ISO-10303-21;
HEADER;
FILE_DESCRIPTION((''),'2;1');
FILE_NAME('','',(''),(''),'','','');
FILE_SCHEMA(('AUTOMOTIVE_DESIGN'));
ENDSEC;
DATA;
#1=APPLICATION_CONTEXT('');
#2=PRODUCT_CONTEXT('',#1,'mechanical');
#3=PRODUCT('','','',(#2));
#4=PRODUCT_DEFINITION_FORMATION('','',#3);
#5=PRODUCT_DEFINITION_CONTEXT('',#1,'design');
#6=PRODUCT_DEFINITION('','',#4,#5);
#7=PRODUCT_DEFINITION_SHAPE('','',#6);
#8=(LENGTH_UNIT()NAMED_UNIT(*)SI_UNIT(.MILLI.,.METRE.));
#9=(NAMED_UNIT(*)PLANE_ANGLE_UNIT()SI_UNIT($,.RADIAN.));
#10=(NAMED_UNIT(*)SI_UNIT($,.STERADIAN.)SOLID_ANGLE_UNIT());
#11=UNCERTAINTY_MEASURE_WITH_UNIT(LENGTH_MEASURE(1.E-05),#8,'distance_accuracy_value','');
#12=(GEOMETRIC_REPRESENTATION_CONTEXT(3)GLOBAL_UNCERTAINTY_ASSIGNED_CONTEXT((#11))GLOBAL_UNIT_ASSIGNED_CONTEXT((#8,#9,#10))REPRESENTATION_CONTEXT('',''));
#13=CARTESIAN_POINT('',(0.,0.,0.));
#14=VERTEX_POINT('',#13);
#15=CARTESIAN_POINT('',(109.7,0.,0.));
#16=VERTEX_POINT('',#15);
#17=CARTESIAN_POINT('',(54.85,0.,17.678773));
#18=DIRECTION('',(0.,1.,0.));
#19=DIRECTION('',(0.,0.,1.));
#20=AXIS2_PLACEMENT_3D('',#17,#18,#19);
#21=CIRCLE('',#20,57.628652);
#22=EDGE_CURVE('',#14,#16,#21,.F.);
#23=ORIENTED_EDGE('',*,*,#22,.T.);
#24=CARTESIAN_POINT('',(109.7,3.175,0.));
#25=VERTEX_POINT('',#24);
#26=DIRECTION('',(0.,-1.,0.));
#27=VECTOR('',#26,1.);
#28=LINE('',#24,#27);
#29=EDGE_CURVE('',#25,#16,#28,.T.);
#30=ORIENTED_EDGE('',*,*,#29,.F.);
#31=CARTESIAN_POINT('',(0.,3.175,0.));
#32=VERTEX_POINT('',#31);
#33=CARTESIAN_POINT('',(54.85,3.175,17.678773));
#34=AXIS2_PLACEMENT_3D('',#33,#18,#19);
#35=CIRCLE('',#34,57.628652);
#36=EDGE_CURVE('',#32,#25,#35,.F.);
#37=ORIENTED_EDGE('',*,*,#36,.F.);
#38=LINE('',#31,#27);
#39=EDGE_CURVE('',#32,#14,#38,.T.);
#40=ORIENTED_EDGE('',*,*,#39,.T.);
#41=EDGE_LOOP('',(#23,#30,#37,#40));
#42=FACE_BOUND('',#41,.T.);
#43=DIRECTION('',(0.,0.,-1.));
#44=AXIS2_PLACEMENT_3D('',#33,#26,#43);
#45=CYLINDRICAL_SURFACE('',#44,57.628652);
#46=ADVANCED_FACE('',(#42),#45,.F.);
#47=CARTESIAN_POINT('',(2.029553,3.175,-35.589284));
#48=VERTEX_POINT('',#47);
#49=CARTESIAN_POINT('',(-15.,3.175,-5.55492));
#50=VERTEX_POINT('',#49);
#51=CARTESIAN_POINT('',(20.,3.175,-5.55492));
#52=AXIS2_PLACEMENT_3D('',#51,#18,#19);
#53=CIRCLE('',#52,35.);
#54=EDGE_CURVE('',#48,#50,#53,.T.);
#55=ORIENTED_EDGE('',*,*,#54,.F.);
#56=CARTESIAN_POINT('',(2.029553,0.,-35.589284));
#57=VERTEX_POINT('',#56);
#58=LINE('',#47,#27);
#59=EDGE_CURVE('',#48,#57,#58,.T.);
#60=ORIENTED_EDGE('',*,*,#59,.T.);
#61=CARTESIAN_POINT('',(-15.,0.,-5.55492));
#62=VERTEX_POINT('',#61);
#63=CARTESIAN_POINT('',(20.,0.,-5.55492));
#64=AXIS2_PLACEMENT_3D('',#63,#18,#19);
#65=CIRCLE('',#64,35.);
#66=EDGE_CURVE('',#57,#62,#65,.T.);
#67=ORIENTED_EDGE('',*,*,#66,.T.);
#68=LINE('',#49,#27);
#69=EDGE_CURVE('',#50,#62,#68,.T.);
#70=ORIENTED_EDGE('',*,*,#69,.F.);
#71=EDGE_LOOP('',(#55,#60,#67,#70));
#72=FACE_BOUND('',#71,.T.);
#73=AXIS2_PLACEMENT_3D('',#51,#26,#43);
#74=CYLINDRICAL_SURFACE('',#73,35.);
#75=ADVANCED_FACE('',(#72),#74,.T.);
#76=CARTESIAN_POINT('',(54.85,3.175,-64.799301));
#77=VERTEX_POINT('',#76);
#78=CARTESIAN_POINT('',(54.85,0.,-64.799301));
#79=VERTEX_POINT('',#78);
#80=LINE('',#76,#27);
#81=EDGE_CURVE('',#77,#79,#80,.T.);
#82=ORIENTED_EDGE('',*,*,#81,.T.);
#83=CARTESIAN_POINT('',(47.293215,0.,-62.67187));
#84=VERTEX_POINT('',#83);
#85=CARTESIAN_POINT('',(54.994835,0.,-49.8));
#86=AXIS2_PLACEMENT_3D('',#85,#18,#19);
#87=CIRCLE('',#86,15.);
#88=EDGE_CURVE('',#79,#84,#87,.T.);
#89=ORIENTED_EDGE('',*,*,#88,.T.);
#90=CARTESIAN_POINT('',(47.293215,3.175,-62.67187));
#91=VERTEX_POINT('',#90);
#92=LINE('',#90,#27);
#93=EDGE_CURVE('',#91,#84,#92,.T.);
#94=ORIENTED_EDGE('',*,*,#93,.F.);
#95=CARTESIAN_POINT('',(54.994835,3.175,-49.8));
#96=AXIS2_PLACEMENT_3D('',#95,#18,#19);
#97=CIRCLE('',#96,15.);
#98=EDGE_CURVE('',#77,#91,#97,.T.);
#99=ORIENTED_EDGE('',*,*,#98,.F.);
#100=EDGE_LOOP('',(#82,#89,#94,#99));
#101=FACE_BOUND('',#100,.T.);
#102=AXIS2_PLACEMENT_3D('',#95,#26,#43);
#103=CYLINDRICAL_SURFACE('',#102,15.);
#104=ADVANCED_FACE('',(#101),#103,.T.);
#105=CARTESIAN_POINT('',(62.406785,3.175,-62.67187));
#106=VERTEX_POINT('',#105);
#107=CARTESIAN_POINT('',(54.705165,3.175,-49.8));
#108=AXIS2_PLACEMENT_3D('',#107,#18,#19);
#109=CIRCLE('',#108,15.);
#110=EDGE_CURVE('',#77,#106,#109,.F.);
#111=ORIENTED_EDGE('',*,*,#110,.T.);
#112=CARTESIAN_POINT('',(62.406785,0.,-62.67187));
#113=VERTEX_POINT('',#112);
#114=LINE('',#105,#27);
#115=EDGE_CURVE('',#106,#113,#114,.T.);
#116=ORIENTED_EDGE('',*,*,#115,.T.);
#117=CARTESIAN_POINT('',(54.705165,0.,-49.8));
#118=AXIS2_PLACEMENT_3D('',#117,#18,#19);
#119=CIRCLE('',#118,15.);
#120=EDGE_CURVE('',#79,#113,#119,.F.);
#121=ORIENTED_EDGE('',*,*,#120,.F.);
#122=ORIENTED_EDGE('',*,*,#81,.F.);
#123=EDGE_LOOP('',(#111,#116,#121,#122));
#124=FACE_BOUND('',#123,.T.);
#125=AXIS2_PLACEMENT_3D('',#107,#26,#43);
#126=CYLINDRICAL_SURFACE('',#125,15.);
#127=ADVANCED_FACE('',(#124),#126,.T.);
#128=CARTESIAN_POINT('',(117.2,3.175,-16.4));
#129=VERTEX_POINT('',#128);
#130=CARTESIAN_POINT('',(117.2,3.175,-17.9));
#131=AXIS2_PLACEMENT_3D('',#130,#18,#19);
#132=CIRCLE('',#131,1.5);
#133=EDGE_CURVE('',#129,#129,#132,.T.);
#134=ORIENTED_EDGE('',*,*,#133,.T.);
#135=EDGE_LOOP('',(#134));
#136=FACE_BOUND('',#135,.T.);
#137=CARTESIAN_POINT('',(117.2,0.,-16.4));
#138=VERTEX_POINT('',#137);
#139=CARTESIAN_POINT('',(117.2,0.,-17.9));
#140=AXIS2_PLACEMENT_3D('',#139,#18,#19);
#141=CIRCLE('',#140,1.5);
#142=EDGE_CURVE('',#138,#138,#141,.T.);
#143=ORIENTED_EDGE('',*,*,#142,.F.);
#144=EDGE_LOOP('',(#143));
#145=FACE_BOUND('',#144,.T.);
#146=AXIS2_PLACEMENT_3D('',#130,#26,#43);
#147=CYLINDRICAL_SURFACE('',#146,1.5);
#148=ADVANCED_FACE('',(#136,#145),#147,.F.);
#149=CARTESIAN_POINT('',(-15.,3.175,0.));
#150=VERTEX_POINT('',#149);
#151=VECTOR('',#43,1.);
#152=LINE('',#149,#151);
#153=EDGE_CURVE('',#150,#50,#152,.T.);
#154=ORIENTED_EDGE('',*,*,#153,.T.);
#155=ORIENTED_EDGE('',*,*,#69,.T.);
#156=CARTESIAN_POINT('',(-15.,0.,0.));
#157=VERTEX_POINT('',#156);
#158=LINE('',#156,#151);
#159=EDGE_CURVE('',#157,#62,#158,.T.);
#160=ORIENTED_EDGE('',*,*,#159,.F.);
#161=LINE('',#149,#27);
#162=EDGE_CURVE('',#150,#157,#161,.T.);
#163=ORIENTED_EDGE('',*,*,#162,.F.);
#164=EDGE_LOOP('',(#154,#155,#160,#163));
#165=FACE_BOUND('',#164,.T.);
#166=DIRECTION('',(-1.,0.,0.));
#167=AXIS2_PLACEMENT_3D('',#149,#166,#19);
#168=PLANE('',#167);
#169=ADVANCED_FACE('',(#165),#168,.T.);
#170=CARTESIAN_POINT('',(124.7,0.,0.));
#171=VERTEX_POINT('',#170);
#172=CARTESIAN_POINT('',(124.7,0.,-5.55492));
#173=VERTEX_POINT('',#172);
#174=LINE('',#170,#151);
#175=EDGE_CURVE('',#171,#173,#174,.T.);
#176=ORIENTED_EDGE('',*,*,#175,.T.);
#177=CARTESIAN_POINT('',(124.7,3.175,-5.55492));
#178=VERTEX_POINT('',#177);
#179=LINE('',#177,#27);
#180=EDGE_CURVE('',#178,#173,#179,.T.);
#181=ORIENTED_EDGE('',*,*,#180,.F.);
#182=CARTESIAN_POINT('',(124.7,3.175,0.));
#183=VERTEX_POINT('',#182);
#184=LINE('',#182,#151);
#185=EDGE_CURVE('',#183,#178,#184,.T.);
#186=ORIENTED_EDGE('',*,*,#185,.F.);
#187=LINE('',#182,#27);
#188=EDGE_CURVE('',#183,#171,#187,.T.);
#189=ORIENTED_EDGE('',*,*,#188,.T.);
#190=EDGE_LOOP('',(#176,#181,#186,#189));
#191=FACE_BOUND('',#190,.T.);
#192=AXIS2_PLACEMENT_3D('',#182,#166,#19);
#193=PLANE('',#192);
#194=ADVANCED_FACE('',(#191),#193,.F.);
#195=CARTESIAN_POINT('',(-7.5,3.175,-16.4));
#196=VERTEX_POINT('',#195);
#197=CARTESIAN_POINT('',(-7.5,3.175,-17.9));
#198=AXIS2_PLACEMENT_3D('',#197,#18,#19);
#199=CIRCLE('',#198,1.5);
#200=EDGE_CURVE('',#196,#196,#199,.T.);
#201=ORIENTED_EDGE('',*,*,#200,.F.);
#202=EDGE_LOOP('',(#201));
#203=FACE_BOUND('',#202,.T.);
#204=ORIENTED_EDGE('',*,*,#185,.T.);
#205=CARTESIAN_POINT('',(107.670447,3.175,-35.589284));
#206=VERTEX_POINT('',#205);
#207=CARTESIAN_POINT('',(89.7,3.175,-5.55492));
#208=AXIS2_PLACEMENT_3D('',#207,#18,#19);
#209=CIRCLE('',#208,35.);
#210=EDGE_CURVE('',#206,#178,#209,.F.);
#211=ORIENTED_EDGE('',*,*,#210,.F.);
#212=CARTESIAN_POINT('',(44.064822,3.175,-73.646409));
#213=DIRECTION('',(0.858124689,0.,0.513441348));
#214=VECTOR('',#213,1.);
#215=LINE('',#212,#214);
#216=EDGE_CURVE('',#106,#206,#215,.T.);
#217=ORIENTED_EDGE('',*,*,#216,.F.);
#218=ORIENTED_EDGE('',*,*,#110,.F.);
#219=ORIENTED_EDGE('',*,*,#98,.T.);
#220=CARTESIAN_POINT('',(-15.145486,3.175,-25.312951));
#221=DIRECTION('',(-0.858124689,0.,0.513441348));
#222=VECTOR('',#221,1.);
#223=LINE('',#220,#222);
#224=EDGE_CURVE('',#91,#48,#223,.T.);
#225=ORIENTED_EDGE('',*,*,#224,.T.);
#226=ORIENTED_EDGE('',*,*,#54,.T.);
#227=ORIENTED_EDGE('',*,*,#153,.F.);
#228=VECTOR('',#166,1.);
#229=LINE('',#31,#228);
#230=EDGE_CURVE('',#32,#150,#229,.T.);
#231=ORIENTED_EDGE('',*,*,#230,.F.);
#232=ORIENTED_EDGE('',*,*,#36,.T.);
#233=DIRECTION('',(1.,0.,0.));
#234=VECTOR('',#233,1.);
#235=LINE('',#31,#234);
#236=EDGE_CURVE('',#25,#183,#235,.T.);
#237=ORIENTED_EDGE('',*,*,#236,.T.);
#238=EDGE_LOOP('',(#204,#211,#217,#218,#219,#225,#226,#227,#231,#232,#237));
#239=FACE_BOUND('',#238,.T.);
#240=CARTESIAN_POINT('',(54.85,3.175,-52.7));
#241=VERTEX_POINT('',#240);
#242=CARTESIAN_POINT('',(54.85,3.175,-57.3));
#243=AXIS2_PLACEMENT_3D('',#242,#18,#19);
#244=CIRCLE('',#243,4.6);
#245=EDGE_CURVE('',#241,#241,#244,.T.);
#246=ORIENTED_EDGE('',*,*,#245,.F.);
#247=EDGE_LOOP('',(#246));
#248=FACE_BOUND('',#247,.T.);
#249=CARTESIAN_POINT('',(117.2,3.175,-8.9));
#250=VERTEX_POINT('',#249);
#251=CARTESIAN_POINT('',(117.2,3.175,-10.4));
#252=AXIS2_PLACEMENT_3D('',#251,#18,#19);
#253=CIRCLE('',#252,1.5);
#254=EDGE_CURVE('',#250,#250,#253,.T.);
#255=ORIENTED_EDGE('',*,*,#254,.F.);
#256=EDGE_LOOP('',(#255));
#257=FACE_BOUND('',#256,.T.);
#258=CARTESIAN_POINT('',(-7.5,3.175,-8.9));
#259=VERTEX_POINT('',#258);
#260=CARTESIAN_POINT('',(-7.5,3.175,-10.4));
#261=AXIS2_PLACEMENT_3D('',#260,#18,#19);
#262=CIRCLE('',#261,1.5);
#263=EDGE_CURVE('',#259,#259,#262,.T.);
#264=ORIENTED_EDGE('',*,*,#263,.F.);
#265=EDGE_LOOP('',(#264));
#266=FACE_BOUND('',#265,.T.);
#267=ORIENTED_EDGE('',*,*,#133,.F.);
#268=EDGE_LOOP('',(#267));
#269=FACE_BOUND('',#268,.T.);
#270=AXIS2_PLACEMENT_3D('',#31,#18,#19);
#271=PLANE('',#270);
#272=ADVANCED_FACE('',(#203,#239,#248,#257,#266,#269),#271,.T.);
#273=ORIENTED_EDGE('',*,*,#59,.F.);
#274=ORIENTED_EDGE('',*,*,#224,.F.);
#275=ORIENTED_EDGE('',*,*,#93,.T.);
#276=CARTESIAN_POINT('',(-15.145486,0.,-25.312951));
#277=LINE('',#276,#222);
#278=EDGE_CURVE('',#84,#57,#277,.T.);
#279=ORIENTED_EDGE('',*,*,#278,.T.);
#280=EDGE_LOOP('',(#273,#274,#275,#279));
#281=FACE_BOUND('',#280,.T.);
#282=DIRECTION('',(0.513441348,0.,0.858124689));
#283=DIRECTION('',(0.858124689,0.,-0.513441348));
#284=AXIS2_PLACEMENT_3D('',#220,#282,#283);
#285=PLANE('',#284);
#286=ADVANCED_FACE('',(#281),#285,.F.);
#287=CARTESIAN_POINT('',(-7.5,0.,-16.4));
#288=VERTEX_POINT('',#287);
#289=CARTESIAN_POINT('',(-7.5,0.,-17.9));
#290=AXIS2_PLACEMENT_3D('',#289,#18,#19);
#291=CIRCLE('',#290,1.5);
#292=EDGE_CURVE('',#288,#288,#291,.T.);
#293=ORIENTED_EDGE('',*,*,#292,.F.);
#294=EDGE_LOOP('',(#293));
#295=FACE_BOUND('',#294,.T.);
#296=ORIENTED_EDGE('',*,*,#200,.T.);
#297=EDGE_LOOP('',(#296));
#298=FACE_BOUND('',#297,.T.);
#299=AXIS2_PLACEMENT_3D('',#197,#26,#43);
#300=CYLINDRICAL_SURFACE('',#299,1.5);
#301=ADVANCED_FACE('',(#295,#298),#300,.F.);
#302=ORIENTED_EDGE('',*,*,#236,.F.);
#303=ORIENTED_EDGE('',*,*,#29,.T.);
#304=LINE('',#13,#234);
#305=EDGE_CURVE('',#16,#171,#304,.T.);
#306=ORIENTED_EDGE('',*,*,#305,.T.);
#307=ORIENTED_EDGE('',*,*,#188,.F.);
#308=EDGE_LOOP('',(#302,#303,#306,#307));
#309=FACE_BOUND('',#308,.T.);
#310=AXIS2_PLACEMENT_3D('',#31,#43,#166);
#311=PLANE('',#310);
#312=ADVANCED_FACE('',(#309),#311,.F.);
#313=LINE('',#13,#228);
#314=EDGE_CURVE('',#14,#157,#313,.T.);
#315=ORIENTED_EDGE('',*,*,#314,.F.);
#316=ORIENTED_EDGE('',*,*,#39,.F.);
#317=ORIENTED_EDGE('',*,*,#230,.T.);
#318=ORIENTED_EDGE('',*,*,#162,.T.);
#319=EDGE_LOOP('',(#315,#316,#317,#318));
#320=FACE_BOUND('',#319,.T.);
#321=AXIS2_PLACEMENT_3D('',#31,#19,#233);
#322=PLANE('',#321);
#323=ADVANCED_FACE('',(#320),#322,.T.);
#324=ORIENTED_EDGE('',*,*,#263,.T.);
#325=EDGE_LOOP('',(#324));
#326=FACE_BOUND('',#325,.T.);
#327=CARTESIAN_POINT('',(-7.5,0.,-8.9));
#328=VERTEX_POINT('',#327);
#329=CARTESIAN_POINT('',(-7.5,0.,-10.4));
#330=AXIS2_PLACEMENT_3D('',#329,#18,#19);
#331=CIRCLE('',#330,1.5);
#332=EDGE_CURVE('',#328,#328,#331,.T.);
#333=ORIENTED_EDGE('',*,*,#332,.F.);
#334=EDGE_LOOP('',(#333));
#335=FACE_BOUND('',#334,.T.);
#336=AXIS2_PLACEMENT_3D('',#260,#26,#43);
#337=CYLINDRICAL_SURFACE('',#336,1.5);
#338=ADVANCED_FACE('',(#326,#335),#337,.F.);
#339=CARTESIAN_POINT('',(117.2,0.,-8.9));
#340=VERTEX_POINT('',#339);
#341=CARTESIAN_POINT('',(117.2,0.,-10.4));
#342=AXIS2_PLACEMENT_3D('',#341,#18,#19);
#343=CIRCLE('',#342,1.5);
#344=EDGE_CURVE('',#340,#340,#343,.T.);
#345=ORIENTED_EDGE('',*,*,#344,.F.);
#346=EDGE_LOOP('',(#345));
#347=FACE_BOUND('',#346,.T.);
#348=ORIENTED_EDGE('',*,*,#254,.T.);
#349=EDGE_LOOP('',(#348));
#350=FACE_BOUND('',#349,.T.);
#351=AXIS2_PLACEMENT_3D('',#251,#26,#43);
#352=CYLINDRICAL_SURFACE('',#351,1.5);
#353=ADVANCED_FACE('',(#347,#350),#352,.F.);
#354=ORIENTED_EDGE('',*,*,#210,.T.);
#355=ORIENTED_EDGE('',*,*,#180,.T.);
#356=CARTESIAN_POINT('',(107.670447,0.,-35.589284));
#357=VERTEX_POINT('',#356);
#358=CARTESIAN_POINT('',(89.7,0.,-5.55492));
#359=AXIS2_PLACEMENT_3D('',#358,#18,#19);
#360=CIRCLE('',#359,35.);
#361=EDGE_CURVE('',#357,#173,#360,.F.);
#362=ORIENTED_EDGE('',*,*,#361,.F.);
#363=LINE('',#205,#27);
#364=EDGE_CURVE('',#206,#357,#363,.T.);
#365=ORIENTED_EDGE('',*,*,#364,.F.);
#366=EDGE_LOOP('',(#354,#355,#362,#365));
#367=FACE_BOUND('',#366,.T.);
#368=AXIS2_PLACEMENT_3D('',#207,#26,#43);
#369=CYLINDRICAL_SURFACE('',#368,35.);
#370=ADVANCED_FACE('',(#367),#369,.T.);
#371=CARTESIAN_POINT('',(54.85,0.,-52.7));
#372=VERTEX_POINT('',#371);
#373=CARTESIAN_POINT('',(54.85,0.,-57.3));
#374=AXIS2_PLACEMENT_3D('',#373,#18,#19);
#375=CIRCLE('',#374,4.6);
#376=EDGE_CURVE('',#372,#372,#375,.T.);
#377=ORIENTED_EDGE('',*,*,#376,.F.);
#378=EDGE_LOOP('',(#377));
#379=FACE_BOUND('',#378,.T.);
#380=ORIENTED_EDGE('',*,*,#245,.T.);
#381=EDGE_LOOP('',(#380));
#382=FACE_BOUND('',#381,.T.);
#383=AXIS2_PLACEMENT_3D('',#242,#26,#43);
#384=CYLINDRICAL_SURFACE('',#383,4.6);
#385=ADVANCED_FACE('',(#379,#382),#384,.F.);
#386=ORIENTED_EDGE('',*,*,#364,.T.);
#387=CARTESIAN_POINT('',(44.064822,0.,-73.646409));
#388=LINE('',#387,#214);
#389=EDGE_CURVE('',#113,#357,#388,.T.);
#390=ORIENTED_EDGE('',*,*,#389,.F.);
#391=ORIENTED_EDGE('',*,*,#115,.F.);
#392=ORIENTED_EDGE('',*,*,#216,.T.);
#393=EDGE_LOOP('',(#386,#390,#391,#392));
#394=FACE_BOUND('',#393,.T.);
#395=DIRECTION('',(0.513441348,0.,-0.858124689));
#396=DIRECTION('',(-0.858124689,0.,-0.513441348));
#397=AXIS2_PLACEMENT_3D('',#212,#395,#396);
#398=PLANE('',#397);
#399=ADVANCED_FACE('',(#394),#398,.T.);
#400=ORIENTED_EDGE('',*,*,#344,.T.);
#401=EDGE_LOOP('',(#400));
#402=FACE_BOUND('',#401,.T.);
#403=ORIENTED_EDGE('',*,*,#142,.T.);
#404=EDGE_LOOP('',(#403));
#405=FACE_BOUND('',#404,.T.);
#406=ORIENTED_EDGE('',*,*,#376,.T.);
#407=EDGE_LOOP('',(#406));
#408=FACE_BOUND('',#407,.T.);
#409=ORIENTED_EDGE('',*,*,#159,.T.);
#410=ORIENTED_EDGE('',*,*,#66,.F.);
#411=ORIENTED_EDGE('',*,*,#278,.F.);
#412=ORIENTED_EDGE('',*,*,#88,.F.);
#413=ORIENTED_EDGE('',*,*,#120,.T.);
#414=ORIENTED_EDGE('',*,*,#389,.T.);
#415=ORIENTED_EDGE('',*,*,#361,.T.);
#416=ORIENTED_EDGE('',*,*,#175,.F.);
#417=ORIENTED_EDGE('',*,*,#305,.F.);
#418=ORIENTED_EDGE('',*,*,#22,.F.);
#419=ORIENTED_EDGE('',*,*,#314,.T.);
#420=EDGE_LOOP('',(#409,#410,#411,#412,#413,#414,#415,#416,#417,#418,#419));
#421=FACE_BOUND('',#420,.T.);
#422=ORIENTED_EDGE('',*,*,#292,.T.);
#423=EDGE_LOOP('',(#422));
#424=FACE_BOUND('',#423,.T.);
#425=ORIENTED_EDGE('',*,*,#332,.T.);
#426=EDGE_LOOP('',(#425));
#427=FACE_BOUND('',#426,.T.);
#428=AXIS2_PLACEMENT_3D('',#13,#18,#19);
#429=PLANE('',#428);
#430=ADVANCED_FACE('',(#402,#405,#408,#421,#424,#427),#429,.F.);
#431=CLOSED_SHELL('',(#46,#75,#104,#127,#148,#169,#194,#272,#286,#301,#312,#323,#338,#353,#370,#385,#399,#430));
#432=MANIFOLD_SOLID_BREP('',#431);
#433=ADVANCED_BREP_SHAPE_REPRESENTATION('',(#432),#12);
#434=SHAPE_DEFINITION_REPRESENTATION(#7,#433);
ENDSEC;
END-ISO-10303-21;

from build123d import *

# Parameters (mm, degrees)
SKETCH1_R           = 4.6
SKETCH1_R_2         = 1.5
BOSS_EXTRUDE2_DEPTH = 3.175


with BuildPart() as part:
    # Sketch1 → Boss-Extrude2 (new body)
    with BuildSketch(Plane(origin=(0, 0, 0), x_dir=(1, 0, 0), z_dir=(0, 1, 0))):
        with BuildLine():
            Line((109.700000056, 0), (117.200000056, 0))
            Line((117.200000056, 0), (124.700000056, 0))
            Line((124.700000056, 0), (124.700000056, 5.554920326))
            ThreePointArc((124.700000056, 5.554920326), (120.146392707, 22.818094267), (107.670447225, 35.589284453))
            Line((107.670447225, 35.589284453), (62.40678526, 62.67187034))
            ThreePointArc((62.40678526, 62.67187034), (58.77003956, 64.238725538), (54.850000028, 64.799300745))
            ThreePointArc((54.850000028, 64.799300745), (50.929960496, 64.238725538), (47.293214796, 62.67187034))
            Line((47.293214796, 62.67187034), (2.029552831, 35.589284453))
            ThreePointArc((2.029552831, 35.589284453), (-10.446392651, 22.818094267), (-15, 5.554920326))
            Line((-15, 5.554920326), (-15, 0))
            Line((-15, 0), (-7.5, 0))
            Line((-7.5, 0), (0, 0))
            ThreePointArc((0, 0), (54.850000028, 39.949878845), (109.700000056, 0))
        make_face()
        with Locations(Location((54.850000028, 57.3, 0), (0, 0, 270))):
            Circle(SKETCH1_R, mode=Mode.SUBTRACT)
        with BuildLine():
            ThreePointArc((117.200000056, 8.9), (115.700000056, 10.4), (117.200000056, 11.9))
            ThreePointArc((117.200000056, 11.9), (118.700000056, 10.4), (117.200000056, 8.9))
        make_face(mode=Mode.SUBTRACT)
        with Locations(Location((117.200000056, 17.9, 0), (0, 0, 270))):
            Circle(SKETCH1_R_2, mode=Mode.SUBTRACT)
        with BuildLine():
            ThreePointArc((-7.5, 8.9), (-9, 10.4), (-7.5, 11.9))
            ThreePointArc((-7.5, 11.9), (-6, 10.4), (-7.5, 8.9))
        make_face(mode=Mode.SUBTRACT)
        with Locations(Location((-7.5, 17.9, 0), (0, 0, 270))):
            Circle(SKETCH1_R_2, mode=Mode.SUBTRACT)
    extrude(amount=BOSS_EXTRUDE2_DEPTH)


solid = part.part
